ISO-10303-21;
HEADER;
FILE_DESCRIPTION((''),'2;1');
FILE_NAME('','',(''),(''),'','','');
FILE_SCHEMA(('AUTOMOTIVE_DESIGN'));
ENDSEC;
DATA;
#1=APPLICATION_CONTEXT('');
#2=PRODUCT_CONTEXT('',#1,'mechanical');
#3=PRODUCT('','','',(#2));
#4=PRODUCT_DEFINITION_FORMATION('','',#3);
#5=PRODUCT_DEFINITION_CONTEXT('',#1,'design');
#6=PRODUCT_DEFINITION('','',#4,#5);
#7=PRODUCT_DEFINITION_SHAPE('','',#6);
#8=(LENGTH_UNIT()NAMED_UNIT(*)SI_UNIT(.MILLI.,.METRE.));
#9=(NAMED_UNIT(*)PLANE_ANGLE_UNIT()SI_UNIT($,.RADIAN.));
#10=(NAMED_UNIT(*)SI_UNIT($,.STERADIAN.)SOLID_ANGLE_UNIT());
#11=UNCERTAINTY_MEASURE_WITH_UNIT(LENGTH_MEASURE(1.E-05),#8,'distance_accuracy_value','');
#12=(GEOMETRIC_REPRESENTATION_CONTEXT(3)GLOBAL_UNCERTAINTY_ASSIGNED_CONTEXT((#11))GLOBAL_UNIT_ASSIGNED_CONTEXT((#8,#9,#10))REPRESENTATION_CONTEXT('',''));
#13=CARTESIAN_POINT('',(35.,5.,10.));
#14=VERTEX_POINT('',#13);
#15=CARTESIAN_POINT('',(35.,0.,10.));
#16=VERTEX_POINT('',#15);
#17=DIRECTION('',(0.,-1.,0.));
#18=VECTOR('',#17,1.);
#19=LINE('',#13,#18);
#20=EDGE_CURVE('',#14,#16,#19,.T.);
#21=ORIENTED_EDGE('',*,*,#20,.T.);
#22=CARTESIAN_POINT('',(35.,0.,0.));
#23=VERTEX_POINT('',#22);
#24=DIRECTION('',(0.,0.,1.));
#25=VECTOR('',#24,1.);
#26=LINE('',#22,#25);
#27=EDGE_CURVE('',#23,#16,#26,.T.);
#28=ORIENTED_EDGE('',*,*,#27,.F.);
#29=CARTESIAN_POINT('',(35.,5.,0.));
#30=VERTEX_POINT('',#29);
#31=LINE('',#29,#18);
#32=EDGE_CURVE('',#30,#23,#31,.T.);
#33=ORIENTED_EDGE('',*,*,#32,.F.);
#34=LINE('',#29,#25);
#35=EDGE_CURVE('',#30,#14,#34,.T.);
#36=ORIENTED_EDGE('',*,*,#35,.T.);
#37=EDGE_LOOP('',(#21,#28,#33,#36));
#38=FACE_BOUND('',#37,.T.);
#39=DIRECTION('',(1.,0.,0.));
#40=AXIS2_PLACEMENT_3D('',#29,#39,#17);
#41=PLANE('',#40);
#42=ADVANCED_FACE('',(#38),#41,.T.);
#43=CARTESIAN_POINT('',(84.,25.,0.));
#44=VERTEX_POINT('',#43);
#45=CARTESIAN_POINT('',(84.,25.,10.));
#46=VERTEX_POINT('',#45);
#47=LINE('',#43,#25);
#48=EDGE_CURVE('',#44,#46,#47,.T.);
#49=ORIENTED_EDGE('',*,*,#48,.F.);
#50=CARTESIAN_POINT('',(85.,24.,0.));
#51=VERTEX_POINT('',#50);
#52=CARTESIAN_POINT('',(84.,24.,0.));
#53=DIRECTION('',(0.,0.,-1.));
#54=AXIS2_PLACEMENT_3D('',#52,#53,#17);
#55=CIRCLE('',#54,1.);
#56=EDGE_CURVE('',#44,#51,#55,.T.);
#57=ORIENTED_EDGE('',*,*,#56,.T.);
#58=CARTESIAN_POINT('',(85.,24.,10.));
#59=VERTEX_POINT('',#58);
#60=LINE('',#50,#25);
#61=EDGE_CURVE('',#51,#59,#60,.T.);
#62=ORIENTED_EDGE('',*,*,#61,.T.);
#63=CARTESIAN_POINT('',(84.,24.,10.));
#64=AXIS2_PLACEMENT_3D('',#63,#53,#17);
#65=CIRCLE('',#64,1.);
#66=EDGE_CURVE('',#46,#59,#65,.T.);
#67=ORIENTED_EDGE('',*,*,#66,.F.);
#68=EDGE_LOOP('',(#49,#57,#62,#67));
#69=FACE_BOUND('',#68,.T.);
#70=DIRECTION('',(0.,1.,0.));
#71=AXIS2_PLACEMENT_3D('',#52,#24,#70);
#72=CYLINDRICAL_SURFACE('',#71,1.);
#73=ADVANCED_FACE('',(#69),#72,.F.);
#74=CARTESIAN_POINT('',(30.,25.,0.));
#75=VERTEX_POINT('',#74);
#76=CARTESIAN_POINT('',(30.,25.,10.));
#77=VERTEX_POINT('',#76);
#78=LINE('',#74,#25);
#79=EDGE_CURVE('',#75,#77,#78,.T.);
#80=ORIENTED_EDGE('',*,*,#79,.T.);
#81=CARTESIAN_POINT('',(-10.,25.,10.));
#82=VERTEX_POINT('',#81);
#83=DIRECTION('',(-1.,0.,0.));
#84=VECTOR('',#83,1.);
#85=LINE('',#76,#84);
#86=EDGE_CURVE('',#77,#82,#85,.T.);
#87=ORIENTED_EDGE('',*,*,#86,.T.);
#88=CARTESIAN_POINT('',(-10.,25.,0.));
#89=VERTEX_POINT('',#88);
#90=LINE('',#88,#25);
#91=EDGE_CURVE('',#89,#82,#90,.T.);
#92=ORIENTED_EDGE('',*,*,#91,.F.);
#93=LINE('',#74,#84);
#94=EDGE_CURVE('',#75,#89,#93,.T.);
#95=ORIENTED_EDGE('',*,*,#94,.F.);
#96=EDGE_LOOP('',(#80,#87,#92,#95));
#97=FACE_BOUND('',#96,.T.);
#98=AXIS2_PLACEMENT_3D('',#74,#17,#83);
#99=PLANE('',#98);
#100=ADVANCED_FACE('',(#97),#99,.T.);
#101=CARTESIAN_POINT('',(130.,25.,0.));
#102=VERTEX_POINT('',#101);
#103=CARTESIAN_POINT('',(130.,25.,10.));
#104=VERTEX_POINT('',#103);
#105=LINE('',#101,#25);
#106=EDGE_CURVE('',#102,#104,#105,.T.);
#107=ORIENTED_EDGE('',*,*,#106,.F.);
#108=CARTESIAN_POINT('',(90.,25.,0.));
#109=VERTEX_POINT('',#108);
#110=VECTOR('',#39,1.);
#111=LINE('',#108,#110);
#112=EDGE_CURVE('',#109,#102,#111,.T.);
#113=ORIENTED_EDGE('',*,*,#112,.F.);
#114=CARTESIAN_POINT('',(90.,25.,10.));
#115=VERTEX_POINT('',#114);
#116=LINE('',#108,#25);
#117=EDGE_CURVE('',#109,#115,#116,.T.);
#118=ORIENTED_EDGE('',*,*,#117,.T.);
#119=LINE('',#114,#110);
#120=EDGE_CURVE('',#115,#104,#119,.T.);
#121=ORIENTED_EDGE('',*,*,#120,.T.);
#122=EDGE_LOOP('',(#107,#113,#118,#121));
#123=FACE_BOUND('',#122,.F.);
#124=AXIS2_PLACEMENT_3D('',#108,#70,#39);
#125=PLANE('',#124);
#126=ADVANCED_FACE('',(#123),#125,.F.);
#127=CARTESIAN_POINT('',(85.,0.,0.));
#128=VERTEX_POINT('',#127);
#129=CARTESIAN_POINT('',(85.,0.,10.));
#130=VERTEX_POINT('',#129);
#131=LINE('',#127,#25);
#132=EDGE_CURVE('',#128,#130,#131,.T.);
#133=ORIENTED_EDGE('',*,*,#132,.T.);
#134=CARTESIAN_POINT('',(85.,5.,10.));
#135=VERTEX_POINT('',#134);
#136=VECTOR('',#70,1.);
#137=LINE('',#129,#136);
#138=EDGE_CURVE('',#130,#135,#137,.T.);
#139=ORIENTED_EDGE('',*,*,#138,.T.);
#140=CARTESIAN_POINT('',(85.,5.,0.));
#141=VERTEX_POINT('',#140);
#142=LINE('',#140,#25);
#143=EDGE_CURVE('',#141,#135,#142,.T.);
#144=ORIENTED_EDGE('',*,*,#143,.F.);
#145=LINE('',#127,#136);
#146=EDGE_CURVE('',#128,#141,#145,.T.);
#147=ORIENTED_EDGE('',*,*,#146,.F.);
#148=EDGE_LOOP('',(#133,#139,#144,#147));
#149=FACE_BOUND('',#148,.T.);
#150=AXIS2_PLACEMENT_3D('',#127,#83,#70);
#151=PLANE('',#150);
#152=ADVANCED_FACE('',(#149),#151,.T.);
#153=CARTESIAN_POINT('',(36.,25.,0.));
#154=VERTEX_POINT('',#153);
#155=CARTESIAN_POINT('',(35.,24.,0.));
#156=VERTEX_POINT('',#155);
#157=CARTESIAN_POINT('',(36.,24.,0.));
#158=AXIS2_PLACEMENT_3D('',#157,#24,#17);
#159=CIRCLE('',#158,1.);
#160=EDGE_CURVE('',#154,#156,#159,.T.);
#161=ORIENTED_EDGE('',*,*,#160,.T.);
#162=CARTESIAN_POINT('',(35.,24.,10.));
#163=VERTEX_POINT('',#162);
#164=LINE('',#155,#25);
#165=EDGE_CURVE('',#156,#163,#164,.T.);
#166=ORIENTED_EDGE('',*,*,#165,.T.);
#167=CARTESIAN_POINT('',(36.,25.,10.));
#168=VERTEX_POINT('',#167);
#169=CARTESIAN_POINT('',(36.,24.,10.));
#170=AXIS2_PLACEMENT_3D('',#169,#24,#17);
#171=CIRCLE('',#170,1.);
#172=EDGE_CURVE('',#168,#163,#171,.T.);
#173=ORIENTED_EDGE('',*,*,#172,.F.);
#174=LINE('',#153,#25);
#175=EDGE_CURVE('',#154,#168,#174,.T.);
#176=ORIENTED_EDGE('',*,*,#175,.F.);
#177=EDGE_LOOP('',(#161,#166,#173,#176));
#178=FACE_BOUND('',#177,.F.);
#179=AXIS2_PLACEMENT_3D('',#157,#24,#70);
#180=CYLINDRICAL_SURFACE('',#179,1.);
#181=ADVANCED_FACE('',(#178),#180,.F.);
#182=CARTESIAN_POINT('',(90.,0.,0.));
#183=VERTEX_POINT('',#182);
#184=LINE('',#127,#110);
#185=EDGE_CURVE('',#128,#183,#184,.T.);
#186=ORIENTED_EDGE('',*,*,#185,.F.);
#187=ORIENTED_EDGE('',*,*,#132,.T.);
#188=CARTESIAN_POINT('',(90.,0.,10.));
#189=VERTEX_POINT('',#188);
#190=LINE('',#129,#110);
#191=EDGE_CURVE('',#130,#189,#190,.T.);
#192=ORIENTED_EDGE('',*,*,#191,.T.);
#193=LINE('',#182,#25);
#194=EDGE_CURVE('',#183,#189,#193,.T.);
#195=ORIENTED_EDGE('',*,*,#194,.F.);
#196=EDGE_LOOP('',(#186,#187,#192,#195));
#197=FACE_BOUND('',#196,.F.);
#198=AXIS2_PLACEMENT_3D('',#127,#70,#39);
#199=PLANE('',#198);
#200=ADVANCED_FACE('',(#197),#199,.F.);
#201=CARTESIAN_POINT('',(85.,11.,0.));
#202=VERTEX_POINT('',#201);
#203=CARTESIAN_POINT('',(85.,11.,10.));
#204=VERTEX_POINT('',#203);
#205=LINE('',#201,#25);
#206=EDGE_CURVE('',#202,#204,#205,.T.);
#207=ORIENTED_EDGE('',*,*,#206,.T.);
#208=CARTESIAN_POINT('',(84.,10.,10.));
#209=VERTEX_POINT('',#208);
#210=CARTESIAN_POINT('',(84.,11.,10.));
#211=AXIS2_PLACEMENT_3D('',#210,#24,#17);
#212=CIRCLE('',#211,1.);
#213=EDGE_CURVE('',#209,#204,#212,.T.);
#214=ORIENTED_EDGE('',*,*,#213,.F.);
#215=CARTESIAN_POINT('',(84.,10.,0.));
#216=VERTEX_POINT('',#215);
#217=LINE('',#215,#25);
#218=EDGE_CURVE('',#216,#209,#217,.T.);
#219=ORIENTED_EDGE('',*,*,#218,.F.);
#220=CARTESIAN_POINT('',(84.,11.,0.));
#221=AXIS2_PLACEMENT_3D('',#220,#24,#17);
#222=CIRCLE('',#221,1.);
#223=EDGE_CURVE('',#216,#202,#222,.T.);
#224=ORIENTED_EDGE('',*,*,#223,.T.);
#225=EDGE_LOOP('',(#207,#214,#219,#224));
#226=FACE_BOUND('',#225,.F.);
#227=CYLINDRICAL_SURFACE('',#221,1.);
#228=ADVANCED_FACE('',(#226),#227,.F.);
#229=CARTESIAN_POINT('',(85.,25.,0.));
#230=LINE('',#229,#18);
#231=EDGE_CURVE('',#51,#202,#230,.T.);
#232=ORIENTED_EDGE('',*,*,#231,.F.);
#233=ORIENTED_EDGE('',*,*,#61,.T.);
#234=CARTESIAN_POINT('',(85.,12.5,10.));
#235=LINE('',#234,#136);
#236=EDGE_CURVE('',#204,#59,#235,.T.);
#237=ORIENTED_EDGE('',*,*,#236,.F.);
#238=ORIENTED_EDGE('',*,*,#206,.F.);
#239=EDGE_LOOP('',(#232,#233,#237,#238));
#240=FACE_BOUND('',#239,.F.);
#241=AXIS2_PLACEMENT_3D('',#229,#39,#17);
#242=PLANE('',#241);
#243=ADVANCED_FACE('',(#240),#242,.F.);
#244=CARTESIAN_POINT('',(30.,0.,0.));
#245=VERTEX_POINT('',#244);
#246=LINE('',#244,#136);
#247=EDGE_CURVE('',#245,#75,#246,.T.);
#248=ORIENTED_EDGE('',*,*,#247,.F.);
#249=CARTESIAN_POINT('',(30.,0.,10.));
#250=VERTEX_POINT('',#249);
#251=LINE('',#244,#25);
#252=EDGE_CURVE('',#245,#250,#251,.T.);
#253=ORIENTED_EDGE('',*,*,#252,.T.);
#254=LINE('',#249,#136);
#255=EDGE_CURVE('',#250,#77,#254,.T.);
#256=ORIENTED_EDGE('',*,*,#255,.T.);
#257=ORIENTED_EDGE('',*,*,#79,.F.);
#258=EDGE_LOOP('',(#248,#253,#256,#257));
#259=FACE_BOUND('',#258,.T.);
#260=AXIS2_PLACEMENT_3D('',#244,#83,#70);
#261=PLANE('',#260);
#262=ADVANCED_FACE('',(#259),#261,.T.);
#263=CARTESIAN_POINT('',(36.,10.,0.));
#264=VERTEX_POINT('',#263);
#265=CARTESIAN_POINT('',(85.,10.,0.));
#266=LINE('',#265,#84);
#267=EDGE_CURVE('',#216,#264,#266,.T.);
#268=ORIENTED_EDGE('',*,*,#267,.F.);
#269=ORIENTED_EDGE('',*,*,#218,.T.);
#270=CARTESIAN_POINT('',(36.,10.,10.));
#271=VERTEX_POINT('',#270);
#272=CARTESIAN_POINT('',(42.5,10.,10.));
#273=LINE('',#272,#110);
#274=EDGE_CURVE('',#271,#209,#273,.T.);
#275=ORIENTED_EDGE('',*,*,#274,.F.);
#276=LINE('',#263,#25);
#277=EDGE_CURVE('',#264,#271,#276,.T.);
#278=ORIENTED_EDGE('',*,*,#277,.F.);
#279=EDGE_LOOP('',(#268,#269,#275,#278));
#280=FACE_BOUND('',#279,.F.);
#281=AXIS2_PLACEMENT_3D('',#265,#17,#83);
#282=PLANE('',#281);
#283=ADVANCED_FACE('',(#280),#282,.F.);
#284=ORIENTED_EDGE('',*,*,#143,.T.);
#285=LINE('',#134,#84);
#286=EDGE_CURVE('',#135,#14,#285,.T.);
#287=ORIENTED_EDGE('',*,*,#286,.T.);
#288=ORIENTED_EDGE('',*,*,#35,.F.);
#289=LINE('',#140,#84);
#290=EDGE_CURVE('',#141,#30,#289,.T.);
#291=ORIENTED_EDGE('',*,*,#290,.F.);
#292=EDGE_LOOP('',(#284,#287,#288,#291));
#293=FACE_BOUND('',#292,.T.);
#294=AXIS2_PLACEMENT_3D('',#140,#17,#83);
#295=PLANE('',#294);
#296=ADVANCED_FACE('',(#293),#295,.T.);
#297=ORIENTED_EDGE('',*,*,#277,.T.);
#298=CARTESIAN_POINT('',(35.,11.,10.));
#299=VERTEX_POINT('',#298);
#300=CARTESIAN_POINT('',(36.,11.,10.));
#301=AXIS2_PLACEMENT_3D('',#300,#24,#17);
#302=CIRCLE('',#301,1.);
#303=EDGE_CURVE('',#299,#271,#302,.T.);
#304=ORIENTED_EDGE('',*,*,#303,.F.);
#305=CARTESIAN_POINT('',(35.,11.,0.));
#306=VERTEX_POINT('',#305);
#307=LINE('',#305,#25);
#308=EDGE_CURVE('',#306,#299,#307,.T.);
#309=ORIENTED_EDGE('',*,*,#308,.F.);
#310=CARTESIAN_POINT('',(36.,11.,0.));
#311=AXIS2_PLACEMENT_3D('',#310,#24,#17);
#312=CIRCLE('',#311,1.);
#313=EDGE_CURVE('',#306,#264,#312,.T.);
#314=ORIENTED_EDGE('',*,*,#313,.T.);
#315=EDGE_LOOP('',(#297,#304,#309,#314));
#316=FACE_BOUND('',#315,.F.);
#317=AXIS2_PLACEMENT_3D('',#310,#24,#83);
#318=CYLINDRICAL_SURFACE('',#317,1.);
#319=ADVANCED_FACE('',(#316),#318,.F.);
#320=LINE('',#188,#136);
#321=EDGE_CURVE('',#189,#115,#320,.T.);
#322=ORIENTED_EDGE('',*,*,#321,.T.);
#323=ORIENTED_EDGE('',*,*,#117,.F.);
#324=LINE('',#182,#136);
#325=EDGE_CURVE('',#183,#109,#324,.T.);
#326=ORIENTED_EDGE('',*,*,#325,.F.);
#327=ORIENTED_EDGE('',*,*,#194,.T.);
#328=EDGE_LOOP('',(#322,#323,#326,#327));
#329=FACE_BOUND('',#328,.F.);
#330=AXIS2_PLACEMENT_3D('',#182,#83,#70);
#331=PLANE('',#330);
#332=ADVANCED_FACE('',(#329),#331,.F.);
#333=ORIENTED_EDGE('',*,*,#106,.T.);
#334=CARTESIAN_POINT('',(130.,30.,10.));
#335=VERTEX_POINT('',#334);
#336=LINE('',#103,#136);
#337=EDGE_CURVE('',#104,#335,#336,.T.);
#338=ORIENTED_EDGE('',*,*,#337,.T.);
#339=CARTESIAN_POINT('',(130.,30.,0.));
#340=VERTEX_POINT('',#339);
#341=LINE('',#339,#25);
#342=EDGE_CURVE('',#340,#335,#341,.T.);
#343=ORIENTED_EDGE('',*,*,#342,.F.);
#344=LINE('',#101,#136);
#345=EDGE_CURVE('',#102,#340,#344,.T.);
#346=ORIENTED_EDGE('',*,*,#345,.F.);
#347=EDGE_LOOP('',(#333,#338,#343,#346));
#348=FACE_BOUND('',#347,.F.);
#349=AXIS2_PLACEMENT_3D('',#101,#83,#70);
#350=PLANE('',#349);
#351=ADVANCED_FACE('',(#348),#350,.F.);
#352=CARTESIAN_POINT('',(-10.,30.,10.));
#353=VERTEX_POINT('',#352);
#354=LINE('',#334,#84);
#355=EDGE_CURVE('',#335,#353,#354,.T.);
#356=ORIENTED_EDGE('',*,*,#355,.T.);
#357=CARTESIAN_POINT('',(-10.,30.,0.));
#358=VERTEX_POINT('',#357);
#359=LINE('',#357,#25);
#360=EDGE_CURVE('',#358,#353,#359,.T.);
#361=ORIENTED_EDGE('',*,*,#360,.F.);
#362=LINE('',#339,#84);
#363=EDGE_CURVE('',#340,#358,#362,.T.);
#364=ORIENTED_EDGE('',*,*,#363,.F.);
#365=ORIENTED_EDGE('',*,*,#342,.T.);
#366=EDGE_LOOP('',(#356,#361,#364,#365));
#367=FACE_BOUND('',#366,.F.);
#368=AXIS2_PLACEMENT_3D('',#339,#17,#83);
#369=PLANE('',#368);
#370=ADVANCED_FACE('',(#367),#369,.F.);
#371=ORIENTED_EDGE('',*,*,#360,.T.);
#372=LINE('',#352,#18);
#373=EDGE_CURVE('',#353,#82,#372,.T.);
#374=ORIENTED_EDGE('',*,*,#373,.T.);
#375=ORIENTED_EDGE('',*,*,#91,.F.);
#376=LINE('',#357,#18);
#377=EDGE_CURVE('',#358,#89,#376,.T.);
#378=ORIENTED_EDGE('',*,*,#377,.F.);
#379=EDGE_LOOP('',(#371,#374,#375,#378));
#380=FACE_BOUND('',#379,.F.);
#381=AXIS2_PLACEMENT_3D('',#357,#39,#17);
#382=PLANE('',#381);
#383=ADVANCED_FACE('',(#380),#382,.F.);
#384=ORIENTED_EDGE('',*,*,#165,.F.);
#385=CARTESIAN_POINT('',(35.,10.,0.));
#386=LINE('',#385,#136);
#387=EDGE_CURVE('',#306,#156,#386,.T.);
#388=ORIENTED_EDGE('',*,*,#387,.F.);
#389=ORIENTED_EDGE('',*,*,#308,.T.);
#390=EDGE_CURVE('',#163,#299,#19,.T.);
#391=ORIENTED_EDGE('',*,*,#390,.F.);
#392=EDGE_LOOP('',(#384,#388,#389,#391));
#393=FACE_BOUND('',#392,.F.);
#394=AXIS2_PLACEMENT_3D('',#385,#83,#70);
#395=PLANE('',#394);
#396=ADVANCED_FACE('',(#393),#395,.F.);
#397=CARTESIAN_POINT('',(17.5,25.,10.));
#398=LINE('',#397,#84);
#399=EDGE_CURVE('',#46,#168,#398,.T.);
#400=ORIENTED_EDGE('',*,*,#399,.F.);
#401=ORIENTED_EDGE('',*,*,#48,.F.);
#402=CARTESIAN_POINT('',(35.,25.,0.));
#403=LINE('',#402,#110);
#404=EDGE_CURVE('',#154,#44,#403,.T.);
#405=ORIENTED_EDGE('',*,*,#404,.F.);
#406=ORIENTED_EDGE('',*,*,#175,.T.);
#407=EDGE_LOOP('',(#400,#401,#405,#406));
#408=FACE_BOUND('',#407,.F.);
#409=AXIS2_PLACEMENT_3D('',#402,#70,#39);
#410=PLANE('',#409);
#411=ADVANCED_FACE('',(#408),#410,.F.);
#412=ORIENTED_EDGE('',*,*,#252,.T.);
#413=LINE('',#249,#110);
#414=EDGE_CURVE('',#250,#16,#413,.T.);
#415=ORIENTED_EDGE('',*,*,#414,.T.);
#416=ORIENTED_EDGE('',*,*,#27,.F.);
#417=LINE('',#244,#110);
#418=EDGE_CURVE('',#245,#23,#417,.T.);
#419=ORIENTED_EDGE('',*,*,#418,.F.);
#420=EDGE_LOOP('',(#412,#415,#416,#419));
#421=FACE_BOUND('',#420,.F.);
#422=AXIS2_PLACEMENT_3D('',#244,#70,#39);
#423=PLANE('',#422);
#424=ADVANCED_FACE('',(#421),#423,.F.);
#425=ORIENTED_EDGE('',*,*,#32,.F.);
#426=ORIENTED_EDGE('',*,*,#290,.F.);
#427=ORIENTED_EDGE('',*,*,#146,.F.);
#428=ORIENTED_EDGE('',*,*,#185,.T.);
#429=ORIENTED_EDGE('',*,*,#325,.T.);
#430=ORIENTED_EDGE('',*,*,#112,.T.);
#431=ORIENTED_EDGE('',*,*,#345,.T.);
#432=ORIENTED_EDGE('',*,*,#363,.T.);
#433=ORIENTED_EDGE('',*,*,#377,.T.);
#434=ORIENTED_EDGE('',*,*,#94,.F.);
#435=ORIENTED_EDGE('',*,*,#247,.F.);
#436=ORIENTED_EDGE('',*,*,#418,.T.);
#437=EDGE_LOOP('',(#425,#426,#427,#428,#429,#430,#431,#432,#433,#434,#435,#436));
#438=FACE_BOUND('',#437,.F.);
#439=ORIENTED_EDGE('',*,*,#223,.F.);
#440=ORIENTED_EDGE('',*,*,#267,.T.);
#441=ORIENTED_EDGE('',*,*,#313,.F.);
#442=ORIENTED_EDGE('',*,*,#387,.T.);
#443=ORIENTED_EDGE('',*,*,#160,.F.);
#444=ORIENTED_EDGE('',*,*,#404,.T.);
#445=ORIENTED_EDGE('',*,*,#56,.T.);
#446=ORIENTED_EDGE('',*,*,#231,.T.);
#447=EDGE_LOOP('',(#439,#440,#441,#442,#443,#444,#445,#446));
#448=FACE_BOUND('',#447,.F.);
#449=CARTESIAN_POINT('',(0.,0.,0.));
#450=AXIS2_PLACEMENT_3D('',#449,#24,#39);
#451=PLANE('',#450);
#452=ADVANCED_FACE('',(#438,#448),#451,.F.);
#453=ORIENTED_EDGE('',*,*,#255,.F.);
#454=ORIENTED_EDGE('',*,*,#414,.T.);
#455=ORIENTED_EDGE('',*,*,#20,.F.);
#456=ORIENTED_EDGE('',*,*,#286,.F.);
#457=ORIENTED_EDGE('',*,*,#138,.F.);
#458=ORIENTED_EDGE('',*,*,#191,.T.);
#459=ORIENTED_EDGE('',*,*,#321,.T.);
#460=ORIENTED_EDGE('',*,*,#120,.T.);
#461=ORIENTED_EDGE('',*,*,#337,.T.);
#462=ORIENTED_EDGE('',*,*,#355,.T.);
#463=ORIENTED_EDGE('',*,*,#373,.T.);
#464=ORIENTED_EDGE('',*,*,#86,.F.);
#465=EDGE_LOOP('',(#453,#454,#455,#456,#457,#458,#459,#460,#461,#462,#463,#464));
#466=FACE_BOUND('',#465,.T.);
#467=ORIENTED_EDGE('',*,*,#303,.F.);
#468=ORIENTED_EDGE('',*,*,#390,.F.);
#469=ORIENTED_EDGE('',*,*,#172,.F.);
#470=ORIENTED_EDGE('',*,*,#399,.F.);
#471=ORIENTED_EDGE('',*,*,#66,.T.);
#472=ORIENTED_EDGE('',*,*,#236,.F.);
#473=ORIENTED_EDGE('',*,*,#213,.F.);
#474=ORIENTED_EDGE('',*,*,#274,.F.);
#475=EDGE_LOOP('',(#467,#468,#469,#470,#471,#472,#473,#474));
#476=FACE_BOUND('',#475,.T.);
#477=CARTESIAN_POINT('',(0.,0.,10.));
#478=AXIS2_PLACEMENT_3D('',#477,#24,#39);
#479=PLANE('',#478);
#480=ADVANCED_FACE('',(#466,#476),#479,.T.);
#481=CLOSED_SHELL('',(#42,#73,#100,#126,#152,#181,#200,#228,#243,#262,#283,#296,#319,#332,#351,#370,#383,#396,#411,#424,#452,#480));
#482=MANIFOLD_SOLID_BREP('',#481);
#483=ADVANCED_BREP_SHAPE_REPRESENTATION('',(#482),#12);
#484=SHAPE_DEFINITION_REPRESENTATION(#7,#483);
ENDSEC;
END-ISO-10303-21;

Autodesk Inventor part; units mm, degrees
ref_plane "YZ Plane" through (0, 0, 0) normal (1, 0, 0) x (0, 1, 0)
ref_plane "XZ Plane" through (0, 0, 0) normal (0, 1, 0) x (-1, 0, 0)
ref_plane "XY Plane" through (0, 0, 0) normal (0, 0, 1) x (1, 0, 0)
sketch "スケッチ1" plane through (0, 0, 0) normal (0, 0, 1) x (1, 0, 0)
  line L0 (130, 25) -> (130, 30)
  line L1 (130, 30) -> (-10, 30)
  line L2 (-10, 30) -> (-10, 25)
  line L3 (60, 30) -> (60, 0) construction
  line L4 (85, 0) -> (85, 5)
  line L5 (85, 5) -> (35, 5)
  line L6 (35, 5) -> (35, 0)
  line L7 (30, 0) -> (35, 0)
  line L8 (85, 0) -> (90, 0)
  line L9 (30, 0) -> (30, 25)
  line L10 (30, 25) -> (-10, 25)
  line L11 (90, 0) -> (90, 25)
  line L12 (90, 25) -> (130, 25)
  dimension "d2" = 50
  dimension "d4" = 5
  dimension "d5" = 5
  dimension "d6" = 5
  dimension "d7" = 140
  dimension "d8" = 30
extrude "押し出し1" add sketch "スケッチ1" along normal blind 10
sketch "スケッチ2" plane through (0, 0, 0) normal (0, 0, -1) x (-1, 0, 0)
  line L0 (-85, 10) -> (-35, 10)
  line L1 (-35, 10) -> (-35, 25)
  line L2 (-35, 25) -> (-85, 25)
  line L3 (-85, 25) -> (-85, 10)
  line L4 (-90, 0) -> (-90, 25) projected
  line L5 (-85, 0) -> (-90, 0) projected
  line L6 (-85, 5) -> (-85, 0) projected
  line L7 (-35, 5) -> (-85, 5) projected
  line L8 (-35, 0) -> (-35, 5) projected
  line L9 (-30, 0) -> (-35, 0) projected
  line L10 (-30, 25) -> (-30, 0) projected
  line L11 (10, 25) -> (-30, 25) projected
  line L12 (10, 30) -> (10, 25) projected
  line L13 (-130, 30) -> (10, 30) projected
  line L14 (-130, 25) -> (-130, 30) projected
  line L15 (-90, 25) -> (-130, 25) projected
  line L16 (-130, 30) -> (10, 30) projected
  line L17 (-60, 30) -> (-60, 5) construction
  line L18 (-35, 5) -> (-85, 5) projected
  point P0 (0, 0)
  dimension "d11" = 5
  dimension "d12" = 5
  dimension "d13" = 50
extrude "押し出し2" cut sketch "スケッチ2" against normal through all contours L3 L2 L1 L0
fillet "フィレット1" radius 1 4 edges at (85, 25, 5) (35, 25, 5) (35, 10, 5) (85, 10, 5)
properties part number "waist1." material "アルミニウム 6061"
